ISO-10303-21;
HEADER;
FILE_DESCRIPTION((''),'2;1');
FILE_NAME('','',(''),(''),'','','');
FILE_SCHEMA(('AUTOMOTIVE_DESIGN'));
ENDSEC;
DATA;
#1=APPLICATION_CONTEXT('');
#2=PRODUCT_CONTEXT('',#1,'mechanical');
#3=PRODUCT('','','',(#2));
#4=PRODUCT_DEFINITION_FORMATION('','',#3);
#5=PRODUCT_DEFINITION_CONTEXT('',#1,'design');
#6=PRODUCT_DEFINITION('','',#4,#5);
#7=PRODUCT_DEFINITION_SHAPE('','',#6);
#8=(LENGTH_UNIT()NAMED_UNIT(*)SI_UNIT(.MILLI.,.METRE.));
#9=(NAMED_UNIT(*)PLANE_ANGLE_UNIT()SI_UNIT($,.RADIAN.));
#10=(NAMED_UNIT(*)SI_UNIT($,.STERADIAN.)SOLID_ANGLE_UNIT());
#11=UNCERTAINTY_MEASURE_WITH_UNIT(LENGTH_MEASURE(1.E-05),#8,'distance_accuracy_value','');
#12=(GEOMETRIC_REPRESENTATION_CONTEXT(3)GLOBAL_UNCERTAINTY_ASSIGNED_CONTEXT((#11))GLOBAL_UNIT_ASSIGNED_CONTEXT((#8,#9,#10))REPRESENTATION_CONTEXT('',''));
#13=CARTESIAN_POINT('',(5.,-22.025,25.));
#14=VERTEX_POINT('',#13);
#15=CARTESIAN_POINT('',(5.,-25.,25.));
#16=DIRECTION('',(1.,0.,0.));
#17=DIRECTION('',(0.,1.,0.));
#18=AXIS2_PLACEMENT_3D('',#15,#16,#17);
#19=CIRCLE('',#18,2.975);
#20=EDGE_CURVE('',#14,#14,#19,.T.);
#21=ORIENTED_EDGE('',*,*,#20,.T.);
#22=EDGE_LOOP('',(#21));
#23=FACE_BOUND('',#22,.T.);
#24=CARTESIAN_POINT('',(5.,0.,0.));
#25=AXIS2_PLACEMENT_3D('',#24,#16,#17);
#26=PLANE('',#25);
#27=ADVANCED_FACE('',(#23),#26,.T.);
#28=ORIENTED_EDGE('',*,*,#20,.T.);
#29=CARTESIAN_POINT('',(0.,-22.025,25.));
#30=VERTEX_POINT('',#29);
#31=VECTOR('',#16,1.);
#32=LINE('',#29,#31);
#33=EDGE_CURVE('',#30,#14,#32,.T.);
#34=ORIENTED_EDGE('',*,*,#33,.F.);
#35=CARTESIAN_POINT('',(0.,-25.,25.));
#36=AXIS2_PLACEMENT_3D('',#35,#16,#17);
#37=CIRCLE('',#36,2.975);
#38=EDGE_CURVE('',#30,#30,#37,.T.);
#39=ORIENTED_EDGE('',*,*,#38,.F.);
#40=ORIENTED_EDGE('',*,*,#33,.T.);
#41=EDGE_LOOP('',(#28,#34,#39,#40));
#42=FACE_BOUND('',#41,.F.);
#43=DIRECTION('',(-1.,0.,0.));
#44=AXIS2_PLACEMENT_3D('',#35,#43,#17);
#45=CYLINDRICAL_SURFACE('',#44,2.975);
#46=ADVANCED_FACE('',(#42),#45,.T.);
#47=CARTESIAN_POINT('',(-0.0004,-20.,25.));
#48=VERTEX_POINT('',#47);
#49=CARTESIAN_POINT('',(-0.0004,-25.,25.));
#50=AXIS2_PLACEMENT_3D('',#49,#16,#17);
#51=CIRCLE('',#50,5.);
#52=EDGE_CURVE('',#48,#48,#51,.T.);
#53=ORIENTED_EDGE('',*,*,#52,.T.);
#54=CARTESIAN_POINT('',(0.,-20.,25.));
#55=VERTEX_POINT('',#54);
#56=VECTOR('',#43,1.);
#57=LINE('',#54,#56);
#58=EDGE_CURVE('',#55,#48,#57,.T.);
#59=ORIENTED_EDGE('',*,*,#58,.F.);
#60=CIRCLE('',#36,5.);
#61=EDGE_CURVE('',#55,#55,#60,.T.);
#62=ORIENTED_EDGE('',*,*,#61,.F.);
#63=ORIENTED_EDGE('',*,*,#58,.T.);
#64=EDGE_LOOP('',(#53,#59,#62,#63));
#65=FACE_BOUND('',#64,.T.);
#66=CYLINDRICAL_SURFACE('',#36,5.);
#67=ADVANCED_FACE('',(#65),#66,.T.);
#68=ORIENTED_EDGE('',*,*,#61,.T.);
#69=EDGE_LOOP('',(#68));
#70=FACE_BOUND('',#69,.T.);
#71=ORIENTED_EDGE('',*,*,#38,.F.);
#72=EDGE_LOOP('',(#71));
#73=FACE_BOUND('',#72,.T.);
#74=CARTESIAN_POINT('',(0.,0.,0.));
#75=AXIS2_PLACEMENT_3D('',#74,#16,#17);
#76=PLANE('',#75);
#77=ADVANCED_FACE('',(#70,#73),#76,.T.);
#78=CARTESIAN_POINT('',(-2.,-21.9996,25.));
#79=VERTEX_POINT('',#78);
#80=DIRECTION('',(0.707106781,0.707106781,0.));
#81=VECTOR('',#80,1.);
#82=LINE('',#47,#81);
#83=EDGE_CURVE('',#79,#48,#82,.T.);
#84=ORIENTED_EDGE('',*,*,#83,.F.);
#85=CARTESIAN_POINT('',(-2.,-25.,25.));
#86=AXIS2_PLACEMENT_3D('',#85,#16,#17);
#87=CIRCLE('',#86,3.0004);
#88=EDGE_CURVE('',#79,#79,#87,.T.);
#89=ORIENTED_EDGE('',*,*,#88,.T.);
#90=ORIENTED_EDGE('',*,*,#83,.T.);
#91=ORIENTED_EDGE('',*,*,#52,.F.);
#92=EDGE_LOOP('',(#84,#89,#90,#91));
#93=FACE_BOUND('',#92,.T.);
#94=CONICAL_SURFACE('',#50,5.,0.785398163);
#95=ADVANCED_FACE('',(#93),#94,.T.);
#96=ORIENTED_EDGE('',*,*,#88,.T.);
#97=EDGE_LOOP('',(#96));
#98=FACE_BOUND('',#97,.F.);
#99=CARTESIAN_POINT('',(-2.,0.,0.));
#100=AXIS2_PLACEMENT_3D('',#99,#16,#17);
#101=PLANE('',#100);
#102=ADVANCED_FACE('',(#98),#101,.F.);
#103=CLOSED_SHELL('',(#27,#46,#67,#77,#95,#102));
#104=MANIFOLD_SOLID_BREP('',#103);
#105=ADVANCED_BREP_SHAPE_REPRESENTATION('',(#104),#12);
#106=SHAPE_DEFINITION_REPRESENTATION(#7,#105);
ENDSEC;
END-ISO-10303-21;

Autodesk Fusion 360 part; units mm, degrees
sketch "Sketch1" plane through (0, 0, 0) normal (1, 0, 0) x (0, 1, 0)
  circle A0 centre (-25, 25) radius 2.975
  circle A1 centre (-25, 25) radius 5
  dimension "d1" = 5.95
  dimension "d4" = 10
extrude "Extrude1" add sketch "Sketch1" along normal blind 5 contours A0
extrude "Extrude2" add sketch "Sketch1" against normal blind 2 contours A0 | A1
chamfer "Chamfer1" distance 2 angle 45 1 edges at (-2, -29.6616, 26.8081) measured on face at (-2, -27.3344, 24.5087)
